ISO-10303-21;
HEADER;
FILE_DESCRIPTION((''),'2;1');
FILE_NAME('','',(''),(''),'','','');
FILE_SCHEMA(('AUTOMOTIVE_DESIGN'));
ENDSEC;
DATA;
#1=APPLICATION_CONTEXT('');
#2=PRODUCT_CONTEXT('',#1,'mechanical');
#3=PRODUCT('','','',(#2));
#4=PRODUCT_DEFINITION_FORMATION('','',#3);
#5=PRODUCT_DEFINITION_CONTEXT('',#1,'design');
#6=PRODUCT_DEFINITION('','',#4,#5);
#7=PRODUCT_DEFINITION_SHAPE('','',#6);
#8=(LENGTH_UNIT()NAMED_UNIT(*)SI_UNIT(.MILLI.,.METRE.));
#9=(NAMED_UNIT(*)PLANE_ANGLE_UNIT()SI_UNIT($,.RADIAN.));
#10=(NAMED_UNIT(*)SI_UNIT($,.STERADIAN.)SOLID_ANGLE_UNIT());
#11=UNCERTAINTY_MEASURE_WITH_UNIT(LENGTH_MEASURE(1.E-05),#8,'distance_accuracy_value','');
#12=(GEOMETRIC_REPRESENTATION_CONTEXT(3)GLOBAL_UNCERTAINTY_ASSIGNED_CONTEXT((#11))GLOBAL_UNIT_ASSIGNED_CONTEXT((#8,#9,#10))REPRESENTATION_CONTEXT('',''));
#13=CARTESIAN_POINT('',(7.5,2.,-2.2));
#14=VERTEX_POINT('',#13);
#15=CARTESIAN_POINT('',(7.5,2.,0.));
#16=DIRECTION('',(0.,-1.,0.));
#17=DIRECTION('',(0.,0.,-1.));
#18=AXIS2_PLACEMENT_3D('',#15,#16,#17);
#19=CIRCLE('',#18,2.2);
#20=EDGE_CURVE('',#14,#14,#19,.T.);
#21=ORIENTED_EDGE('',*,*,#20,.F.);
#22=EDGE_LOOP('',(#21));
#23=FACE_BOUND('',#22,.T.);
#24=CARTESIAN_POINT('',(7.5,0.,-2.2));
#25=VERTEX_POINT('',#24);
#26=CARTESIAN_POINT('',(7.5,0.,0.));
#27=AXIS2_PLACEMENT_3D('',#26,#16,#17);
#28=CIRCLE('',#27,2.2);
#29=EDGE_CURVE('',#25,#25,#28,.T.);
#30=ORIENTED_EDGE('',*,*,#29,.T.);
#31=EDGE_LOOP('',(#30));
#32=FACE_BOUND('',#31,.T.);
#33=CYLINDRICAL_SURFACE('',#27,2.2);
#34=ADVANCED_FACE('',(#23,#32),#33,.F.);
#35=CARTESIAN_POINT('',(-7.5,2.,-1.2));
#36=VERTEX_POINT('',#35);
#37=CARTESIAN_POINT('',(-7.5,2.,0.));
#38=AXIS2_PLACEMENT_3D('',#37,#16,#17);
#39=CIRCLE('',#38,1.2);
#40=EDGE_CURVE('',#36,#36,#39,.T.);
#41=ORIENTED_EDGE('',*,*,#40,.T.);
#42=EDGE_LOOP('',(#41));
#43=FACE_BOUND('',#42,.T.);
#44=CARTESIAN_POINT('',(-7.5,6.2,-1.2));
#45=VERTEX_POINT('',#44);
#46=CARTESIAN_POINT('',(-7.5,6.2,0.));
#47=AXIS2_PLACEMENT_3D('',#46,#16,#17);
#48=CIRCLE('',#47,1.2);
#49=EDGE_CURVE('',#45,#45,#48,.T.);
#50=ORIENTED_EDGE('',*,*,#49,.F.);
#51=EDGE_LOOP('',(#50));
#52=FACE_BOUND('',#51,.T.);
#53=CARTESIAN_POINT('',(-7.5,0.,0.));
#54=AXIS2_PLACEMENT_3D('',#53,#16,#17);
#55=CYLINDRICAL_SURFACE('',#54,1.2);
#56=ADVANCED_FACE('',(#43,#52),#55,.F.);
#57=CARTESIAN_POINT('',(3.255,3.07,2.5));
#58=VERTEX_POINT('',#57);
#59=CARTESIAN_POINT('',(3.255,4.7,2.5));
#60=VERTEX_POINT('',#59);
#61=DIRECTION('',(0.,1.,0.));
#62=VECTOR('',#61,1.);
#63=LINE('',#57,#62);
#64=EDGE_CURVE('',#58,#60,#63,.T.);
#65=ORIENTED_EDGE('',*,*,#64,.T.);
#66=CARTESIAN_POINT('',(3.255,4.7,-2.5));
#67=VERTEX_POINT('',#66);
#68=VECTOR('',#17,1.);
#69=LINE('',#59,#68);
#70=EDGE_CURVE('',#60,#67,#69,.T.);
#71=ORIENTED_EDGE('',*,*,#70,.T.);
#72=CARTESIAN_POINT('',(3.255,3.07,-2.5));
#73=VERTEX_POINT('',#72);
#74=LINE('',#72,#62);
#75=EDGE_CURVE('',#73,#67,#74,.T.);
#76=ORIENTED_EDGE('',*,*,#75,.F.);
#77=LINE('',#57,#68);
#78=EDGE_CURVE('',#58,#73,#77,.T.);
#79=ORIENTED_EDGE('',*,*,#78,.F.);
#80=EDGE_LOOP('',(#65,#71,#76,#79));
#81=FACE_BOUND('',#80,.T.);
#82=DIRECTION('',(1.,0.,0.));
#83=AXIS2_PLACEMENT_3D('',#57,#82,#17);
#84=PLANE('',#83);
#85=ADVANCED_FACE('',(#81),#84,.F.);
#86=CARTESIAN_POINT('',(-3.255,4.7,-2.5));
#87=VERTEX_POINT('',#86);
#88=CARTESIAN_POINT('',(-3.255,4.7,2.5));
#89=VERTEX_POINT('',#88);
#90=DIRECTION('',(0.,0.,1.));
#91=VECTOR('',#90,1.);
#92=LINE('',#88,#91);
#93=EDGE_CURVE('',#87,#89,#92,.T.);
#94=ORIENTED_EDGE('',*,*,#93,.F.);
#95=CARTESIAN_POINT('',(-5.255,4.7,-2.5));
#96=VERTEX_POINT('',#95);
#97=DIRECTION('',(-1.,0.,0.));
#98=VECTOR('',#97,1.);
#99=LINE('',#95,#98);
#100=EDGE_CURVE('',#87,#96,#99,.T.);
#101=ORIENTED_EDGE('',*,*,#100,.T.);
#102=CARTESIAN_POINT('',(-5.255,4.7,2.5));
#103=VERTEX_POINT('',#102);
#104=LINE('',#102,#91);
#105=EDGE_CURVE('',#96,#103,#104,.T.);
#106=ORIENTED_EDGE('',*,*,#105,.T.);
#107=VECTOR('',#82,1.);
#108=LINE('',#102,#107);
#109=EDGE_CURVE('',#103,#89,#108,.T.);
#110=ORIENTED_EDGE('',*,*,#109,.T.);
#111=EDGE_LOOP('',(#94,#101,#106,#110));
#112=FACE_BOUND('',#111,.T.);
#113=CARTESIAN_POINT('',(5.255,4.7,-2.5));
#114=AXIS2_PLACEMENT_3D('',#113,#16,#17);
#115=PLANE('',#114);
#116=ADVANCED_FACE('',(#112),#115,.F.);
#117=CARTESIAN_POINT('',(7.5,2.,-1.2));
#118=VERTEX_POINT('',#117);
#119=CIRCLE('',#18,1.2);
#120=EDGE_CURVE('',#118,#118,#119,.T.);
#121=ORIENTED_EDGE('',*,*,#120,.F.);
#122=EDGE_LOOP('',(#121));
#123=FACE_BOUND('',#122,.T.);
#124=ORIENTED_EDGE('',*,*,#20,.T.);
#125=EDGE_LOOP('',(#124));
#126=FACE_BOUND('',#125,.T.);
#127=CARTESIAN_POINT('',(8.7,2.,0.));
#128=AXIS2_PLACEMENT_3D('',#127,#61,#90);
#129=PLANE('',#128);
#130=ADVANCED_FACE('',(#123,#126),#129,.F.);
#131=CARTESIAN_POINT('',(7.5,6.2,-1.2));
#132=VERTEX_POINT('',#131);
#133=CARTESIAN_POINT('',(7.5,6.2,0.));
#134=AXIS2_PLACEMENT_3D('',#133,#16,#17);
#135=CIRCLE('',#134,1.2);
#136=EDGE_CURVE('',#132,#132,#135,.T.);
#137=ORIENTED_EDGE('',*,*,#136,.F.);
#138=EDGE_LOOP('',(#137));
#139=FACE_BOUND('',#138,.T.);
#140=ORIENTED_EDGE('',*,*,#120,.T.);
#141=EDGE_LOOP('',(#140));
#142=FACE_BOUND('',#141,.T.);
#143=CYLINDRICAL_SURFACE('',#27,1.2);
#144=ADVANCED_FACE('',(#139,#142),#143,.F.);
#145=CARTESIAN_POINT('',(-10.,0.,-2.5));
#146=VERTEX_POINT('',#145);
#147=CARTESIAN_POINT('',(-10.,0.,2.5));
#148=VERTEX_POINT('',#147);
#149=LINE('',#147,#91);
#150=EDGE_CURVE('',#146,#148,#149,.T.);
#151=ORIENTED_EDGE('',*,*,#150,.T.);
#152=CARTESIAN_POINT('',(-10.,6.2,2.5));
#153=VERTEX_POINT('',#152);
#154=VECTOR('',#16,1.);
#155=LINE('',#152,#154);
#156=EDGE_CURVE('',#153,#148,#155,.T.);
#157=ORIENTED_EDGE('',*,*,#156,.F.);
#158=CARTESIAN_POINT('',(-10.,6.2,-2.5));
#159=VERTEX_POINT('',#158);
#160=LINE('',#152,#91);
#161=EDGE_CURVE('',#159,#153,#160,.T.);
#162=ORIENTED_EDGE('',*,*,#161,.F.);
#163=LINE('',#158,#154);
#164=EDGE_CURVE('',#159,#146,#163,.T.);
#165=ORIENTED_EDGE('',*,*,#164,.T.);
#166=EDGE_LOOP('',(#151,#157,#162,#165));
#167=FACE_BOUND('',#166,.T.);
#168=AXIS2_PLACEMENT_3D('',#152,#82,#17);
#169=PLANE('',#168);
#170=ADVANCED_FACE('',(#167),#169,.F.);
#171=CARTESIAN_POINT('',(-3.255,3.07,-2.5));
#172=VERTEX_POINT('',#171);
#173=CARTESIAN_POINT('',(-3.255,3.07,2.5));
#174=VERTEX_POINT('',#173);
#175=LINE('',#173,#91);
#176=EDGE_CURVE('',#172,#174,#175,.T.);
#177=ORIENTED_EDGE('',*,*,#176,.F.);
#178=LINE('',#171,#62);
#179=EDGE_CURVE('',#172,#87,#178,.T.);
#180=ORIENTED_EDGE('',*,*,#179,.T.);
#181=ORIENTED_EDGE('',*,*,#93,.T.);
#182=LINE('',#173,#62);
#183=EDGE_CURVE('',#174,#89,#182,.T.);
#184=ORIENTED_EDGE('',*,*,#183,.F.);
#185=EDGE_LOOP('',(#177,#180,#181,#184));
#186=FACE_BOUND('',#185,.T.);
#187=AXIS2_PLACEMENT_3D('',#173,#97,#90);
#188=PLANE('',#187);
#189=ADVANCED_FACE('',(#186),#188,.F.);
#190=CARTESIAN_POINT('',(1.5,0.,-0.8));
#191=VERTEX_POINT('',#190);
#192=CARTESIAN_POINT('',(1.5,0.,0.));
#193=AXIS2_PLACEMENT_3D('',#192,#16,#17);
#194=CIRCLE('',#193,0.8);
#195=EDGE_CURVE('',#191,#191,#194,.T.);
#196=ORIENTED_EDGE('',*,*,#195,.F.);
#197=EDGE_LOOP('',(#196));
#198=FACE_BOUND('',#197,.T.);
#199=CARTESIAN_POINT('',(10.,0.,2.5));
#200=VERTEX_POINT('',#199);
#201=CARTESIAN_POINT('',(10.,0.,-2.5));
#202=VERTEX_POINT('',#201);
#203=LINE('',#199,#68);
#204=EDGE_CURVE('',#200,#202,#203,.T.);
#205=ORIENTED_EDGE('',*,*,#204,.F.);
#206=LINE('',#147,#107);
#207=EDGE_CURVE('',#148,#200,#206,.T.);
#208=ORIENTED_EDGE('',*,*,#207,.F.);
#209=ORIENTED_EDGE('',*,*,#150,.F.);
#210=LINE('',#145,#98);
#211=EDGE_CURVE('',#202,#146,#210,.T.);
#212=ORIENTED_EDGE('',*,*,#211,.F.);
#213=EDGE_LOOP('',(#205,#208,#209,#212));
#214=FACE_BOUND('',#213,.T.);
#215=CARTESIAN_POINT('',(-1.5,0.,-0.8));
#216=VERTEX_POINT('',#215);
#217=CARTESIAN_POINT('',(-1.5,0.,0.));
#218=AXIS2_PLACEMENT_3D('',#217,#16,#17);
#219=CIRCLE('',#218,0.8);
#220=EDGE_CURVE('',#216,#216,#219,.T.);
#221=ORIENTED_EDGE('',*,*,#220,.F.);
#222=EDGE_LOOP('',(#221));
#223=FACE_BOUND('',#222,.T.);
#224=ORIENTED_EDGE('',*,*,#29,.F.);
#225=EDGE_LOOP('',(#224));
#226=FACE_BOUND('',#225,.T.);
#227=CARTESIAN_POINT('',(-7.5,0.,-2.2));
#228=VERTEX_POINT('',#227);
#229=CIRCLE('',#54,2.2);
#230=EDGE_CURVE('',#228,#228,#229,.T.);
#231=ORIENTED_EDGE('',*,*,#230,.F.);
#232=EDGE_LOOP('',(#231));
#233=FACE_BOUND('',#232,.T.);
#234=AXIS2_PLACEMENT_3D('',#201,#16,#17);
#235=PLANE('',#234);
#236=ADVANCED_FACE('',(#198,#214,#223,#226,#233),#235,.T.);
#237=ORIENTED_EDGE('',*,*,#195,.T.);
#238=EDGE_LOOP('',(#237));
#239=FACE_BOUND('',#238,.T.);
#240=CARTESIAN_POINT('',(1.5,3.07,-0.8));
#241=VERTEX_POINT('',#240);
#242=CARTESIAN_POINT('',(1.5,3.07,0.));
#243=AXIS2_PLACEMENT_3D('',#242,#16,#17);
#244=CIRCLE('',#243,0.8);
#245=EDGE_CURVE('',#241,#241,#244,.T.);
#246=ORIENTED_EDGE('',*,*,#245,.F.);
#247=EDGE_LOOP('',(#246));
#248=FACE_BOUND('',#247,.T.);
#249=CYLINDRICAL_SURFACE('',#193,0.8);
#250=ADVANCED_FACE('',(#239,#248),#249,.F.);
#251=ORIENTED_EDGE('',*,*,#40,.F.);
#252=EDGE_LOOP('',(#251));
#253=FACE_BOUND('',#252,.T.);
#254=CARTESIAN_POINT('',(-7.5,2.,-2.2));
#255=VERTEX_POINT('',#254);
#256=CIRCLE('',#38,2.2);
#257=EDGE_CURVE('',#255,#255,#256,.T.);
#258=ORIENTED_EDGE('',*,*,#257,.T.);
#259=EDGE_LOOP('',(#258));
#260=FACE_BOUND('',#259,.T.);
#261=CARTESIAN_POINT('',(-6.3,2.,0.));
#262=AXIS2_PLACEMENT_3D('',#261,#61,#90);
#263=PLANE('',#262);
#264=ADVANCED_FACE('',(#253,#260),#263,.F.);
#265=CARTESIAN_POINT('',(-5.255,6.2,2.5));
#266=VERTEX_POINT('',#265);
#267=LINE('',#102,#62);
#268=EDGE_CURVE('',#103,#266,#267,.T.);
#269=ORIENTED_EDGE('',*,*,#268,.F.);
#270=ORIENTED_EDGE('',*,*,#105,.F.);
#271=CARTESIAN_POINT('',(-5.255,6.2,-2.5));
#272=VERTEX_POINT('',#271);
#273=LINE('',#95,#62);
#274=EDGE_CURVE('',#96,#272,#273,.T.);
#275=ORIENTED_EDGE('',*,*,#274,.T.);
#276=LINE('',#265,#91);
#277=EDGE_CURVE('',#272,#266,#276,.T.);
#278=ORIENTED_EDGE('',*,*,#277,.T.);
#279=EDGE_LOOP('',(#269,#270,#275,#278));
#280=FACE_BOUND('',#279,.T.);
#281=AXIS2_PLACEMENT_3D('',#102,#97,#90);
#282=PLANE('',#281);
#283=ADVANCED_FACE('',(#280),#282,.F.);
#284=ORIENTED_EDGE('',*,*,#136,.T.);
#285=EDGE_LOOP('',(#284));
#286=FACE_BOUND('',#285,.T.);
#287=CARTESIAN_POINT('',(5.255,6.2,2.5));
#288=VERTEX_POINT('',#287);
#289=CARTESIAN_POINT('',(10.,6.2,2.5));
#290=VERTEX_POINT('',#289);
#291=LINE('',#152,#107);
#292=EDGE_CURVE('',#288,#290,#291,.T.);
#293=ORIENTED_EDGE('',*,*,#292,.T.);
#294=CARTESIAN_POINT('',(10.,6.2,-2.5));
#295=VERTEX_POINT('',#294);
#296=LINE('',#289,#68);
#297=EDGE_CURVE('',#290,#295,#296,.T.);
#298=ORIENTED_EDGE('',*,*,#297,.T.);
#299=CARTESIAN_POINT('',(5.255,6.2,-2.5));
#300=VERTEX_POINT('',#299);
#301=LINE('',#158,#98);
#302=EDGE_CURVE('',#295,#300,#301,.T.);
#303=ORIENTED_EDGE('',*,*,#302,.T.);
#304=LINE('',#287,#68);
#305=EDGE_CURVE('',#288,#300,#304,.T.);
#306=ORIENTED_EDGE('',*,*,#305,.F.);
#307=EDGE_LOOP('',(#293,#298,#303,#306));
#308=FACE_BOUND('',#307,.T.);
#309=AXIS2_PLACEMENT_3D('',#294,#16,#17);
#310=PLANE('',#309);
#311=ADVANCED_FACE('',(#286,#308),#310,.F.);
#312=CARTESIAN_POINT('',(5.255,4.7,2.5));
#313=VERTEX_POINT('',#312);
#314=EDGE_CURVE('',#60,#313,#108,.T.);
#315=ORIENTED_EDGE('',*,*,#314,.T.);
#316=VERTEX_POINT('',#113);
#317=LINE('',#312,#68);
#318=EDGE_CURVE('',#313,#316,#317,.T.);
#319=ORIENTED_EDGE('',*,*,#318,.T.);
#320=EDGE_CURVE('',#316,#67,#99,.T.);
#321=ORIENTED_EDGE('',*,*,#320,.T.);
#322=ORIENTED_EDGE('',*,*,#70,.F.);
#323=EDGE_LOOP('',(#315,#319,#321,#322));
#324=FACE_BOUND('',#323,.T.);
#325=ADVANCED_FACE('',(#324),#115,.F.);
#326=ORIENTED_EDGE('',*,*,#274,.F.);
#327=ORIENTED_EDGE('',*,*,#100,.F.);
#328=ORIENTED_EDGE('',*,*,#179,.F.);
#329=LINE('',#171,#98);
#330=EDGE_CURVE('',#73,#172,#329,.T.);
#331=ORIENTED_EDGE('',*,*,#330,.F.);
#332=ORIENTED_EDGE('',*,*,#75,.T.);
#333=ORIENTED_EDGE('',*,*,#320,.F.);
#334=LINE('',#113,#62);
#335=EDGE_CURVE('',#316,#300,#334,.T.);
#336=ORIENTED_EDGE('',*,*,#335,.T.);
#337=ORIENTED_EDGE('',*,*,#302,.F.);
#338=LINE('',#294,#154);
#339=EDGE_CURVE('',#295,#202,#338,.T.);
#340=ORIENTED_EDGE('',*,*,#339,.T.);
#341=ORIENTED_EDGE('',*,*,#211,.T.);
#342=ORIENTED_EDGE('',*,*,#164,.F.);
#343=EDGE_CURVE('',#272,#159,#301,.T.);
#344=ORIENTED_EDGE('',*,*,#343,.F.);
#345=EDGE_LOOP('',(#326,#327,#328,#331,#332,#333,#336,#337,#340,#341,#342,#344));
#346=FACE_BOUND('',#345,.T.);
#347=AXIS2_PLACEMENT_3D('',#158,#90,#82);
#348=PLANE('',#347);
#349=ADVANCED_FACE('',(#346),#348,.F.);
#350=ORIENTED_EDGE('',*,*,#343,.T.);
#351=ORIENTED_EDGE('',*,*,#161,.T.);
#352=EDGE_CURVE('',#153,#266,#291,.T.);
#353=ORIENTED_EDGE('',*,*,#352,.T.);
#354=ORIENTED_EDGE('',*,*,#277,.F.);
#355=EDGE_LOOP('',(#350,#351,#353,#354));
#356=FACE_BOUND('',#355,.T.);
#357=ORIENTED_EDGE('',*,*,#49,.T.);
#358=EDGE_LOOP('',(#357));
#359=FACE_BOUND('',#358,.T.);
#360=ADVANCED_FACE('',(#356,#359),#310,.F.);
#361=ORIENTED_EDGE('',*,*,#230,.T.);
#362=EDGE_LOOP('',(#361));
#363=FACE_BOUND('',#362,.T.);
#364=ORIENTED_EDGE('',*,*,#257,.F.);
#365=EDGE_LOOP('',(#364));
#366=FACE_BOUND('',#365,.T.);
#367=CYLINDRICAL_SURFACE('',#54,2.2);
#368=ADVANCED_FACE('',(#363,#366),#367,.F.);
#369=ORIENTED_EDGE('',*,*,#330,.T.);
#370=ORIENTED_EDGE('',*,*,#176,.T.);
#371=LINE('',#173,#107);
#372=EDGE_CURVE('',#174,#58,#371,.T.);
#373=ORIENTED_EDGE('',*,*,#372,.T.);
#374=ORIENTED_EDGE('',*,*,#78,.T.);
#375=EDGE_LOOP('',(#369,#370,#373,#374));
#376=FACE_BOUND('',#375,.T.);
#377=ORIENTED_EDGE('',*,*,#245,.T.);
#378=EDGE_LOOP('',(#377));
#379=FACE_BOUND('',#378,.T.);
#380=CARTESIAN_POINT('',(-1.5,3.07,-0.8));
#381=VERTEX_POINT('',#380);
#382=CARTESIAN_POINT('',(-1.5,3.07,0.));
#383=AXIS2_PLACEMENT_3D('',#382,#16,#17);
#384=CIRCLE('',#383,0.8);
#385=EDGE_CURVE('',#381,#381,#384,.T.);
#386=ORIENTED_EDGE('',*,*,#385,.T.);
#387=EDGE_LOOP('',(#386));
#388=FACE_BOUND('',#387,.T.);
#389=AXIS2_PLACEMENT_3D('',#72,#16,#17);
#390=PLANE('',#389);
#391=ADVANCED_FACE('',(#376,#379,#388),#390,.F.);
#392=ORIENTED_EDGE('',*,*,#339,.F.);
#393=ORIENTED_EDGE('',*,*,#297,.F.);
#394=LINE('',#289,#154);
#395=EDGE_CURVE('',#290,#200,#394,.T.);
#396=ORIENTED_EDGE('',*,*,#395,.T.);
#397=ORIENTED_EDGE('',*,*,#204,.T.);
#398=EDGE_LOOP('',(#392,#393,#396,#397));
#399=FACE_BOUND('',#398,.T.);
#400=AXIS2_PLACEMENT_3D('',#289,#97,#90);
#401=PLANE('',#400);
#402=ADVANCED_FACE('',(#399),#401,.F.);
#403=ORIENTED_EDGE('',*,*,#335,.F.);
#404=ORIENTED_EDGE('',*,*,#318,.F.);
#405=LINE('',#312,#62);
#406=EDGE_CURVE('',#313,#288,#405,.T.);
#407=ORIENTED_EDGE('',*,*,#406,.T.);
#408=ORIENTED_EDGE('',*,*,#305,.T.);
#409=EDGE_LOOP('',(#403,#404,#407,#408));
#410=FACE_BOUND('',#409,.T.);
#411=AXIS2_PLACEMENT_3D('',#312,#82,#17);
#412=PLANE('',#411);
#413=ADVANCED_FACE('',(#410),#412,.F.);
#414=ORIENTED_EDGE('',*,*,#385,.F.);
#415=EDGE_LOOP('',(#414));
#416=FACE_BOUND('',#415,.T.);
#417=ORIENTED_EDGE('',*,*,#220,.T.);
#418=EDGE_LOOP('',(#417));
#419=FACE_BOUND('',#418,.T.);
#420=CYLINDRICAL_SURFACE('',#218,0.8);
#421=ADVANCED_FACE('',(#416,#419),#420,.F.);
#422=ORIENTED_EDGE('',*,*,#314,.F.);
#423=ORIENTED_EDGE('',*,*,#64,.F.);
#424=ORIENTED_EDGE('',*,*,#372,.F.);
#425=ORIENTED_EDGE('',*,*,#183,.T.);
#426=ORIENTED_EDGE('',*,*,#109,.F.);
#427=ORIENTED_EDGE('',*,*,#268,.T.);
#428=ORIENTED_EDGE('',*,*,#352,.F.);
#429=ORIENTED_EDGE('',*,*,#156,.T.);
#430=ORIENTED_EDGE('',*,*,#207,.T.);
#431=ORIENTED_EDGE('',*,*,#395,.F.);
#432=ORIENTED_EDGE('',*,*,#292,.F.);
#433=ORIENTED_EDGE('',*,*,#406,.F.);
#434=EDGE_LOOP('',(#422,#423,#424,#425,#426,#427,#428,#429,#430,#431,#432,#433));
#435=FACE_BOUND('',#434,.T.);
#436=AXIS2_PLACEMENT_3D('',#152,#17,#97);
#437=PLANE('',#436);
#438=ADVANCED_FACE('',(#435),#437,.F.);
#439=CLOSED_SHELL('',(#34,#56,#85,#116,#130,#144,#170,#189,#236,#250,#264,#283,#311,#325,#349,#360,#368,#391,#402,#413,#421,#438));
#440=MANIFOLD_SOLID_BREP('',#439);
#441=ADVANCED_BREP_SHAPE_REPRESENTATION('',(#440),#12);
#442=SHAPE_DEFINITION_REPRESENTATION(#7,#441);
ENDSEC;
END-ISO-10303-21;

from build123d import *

# Parameters (mm, degrees)
SKETCH1_W                      = 20
SKETCH1_H                      = 5
EXTRUDE1_DEPTH                 = 6.2
SKETCH2_W                      = 10.51
SKETCH2_H                      = 5
EXTRUDE3_DEPTH                 = 1.5
SKETCH3_W                      = 6.51
SKETCH3_H                      = 5
EXTRUDE4_DEPTH                 = 1.63
CBORE_FOR_M2_SHCS1_D           = 2.4
CBORE_FOR_M2_SHCS1_CBORE_D     = 4.4
CBORE_FOR_M2_SHCS1_CBORE_DEPTH = 2
LPATTERN1_COUNT                = 2
LPATTERN1_PITCH                = 15
M2X0_4_TAPPED_HOLE1_D          = 1.6
LPATTERN3_COUNT                = 2
LPATTERN3_PITCH                = 3


with BuildPart() as part:
    # Sketch1 → Extrude1 (new body)
    with BuildSketch(Plane(origin=(0, 0, 0), x_dir=(1, 0, 0), z_dir=(0, 1, 0))):
        Rectangle(SKETCH1_W, SKETCH1_H)
    extrude(amount=EXTRUDE1_DEPTH)

    # Sketch2 → Extrude3 (cut)
    with BuildSketch(Plane(origin=(0, 6.2, 0), x_dir=(1, 0, 0), z_dir=(0, 1, 0))):
        Rectangle(SKETCH2_W, SKETCH2_H)
    extrude(amount=-EXTRUDE3_DEPTH, mode=Mode.SUBTRACT)

    # Sketch3 → Extrude4 (cut)
    with BuildSketch(Plane(origin=(0, 4.7, 0), x_dir=(1, 0, 0), z_dir=(0, 1, 0))):
        Rectangle(SKETCH3_W, SKETCH3_H)
    extrude(amount=-EXTRUDE4_DEPTH, mode=Mode.SUBTRACT)

    # CBORE for M2 SHCS1 (through all)
    with Locations(Plane(origin=(-7.5, 0, 0), x_dir=(0, 0, -1), z_dir=(0, -1, 0))):
        with Locations((0, 0)):
            cbore_for_m2_shcs1 = CounterBoreHole(CBORE_FOR_M2_SHCS1_D / 2, CBORE_FOR_M2_SHCS1_CBORE_D / 2, CBORE_FOR_M2_SHCS1_CBORE_DEPTH)

    # LPattern1: CBORE for M2 SHCS1 ×2
    with Locations(*[(i * LPATTERN1_PITCH, 0, 0) for i in range(1, LPATTERN1_COUNT)]):
        add(cbore_for_m2_shcs1, mode=Mode.SUBTRACT)

    # M2x0.4 Tapped Hole1 (through all)
    with Locations(Plane(origin=(-1.5, 0, 0), x_dir=(0, 0, -1), z_dir=(0, -1, 0))):
        with Locations((0, 0)):
            m2x0_4_tapped_hole1 = Hole(M2X0_4_TAPPED_HOLE1_D / 2)

    # LPattern3: M2x0.4 Tapped Hole1 ×2
    with Locations(*[(i * LPATTERN3_PITCH, 0, 0) for i in range(1, LPATTERN3_COUNT)]):
        add(m2x0_4_tapped_hole1, mode=Mode.SUBTRACT)


solid = part.part
